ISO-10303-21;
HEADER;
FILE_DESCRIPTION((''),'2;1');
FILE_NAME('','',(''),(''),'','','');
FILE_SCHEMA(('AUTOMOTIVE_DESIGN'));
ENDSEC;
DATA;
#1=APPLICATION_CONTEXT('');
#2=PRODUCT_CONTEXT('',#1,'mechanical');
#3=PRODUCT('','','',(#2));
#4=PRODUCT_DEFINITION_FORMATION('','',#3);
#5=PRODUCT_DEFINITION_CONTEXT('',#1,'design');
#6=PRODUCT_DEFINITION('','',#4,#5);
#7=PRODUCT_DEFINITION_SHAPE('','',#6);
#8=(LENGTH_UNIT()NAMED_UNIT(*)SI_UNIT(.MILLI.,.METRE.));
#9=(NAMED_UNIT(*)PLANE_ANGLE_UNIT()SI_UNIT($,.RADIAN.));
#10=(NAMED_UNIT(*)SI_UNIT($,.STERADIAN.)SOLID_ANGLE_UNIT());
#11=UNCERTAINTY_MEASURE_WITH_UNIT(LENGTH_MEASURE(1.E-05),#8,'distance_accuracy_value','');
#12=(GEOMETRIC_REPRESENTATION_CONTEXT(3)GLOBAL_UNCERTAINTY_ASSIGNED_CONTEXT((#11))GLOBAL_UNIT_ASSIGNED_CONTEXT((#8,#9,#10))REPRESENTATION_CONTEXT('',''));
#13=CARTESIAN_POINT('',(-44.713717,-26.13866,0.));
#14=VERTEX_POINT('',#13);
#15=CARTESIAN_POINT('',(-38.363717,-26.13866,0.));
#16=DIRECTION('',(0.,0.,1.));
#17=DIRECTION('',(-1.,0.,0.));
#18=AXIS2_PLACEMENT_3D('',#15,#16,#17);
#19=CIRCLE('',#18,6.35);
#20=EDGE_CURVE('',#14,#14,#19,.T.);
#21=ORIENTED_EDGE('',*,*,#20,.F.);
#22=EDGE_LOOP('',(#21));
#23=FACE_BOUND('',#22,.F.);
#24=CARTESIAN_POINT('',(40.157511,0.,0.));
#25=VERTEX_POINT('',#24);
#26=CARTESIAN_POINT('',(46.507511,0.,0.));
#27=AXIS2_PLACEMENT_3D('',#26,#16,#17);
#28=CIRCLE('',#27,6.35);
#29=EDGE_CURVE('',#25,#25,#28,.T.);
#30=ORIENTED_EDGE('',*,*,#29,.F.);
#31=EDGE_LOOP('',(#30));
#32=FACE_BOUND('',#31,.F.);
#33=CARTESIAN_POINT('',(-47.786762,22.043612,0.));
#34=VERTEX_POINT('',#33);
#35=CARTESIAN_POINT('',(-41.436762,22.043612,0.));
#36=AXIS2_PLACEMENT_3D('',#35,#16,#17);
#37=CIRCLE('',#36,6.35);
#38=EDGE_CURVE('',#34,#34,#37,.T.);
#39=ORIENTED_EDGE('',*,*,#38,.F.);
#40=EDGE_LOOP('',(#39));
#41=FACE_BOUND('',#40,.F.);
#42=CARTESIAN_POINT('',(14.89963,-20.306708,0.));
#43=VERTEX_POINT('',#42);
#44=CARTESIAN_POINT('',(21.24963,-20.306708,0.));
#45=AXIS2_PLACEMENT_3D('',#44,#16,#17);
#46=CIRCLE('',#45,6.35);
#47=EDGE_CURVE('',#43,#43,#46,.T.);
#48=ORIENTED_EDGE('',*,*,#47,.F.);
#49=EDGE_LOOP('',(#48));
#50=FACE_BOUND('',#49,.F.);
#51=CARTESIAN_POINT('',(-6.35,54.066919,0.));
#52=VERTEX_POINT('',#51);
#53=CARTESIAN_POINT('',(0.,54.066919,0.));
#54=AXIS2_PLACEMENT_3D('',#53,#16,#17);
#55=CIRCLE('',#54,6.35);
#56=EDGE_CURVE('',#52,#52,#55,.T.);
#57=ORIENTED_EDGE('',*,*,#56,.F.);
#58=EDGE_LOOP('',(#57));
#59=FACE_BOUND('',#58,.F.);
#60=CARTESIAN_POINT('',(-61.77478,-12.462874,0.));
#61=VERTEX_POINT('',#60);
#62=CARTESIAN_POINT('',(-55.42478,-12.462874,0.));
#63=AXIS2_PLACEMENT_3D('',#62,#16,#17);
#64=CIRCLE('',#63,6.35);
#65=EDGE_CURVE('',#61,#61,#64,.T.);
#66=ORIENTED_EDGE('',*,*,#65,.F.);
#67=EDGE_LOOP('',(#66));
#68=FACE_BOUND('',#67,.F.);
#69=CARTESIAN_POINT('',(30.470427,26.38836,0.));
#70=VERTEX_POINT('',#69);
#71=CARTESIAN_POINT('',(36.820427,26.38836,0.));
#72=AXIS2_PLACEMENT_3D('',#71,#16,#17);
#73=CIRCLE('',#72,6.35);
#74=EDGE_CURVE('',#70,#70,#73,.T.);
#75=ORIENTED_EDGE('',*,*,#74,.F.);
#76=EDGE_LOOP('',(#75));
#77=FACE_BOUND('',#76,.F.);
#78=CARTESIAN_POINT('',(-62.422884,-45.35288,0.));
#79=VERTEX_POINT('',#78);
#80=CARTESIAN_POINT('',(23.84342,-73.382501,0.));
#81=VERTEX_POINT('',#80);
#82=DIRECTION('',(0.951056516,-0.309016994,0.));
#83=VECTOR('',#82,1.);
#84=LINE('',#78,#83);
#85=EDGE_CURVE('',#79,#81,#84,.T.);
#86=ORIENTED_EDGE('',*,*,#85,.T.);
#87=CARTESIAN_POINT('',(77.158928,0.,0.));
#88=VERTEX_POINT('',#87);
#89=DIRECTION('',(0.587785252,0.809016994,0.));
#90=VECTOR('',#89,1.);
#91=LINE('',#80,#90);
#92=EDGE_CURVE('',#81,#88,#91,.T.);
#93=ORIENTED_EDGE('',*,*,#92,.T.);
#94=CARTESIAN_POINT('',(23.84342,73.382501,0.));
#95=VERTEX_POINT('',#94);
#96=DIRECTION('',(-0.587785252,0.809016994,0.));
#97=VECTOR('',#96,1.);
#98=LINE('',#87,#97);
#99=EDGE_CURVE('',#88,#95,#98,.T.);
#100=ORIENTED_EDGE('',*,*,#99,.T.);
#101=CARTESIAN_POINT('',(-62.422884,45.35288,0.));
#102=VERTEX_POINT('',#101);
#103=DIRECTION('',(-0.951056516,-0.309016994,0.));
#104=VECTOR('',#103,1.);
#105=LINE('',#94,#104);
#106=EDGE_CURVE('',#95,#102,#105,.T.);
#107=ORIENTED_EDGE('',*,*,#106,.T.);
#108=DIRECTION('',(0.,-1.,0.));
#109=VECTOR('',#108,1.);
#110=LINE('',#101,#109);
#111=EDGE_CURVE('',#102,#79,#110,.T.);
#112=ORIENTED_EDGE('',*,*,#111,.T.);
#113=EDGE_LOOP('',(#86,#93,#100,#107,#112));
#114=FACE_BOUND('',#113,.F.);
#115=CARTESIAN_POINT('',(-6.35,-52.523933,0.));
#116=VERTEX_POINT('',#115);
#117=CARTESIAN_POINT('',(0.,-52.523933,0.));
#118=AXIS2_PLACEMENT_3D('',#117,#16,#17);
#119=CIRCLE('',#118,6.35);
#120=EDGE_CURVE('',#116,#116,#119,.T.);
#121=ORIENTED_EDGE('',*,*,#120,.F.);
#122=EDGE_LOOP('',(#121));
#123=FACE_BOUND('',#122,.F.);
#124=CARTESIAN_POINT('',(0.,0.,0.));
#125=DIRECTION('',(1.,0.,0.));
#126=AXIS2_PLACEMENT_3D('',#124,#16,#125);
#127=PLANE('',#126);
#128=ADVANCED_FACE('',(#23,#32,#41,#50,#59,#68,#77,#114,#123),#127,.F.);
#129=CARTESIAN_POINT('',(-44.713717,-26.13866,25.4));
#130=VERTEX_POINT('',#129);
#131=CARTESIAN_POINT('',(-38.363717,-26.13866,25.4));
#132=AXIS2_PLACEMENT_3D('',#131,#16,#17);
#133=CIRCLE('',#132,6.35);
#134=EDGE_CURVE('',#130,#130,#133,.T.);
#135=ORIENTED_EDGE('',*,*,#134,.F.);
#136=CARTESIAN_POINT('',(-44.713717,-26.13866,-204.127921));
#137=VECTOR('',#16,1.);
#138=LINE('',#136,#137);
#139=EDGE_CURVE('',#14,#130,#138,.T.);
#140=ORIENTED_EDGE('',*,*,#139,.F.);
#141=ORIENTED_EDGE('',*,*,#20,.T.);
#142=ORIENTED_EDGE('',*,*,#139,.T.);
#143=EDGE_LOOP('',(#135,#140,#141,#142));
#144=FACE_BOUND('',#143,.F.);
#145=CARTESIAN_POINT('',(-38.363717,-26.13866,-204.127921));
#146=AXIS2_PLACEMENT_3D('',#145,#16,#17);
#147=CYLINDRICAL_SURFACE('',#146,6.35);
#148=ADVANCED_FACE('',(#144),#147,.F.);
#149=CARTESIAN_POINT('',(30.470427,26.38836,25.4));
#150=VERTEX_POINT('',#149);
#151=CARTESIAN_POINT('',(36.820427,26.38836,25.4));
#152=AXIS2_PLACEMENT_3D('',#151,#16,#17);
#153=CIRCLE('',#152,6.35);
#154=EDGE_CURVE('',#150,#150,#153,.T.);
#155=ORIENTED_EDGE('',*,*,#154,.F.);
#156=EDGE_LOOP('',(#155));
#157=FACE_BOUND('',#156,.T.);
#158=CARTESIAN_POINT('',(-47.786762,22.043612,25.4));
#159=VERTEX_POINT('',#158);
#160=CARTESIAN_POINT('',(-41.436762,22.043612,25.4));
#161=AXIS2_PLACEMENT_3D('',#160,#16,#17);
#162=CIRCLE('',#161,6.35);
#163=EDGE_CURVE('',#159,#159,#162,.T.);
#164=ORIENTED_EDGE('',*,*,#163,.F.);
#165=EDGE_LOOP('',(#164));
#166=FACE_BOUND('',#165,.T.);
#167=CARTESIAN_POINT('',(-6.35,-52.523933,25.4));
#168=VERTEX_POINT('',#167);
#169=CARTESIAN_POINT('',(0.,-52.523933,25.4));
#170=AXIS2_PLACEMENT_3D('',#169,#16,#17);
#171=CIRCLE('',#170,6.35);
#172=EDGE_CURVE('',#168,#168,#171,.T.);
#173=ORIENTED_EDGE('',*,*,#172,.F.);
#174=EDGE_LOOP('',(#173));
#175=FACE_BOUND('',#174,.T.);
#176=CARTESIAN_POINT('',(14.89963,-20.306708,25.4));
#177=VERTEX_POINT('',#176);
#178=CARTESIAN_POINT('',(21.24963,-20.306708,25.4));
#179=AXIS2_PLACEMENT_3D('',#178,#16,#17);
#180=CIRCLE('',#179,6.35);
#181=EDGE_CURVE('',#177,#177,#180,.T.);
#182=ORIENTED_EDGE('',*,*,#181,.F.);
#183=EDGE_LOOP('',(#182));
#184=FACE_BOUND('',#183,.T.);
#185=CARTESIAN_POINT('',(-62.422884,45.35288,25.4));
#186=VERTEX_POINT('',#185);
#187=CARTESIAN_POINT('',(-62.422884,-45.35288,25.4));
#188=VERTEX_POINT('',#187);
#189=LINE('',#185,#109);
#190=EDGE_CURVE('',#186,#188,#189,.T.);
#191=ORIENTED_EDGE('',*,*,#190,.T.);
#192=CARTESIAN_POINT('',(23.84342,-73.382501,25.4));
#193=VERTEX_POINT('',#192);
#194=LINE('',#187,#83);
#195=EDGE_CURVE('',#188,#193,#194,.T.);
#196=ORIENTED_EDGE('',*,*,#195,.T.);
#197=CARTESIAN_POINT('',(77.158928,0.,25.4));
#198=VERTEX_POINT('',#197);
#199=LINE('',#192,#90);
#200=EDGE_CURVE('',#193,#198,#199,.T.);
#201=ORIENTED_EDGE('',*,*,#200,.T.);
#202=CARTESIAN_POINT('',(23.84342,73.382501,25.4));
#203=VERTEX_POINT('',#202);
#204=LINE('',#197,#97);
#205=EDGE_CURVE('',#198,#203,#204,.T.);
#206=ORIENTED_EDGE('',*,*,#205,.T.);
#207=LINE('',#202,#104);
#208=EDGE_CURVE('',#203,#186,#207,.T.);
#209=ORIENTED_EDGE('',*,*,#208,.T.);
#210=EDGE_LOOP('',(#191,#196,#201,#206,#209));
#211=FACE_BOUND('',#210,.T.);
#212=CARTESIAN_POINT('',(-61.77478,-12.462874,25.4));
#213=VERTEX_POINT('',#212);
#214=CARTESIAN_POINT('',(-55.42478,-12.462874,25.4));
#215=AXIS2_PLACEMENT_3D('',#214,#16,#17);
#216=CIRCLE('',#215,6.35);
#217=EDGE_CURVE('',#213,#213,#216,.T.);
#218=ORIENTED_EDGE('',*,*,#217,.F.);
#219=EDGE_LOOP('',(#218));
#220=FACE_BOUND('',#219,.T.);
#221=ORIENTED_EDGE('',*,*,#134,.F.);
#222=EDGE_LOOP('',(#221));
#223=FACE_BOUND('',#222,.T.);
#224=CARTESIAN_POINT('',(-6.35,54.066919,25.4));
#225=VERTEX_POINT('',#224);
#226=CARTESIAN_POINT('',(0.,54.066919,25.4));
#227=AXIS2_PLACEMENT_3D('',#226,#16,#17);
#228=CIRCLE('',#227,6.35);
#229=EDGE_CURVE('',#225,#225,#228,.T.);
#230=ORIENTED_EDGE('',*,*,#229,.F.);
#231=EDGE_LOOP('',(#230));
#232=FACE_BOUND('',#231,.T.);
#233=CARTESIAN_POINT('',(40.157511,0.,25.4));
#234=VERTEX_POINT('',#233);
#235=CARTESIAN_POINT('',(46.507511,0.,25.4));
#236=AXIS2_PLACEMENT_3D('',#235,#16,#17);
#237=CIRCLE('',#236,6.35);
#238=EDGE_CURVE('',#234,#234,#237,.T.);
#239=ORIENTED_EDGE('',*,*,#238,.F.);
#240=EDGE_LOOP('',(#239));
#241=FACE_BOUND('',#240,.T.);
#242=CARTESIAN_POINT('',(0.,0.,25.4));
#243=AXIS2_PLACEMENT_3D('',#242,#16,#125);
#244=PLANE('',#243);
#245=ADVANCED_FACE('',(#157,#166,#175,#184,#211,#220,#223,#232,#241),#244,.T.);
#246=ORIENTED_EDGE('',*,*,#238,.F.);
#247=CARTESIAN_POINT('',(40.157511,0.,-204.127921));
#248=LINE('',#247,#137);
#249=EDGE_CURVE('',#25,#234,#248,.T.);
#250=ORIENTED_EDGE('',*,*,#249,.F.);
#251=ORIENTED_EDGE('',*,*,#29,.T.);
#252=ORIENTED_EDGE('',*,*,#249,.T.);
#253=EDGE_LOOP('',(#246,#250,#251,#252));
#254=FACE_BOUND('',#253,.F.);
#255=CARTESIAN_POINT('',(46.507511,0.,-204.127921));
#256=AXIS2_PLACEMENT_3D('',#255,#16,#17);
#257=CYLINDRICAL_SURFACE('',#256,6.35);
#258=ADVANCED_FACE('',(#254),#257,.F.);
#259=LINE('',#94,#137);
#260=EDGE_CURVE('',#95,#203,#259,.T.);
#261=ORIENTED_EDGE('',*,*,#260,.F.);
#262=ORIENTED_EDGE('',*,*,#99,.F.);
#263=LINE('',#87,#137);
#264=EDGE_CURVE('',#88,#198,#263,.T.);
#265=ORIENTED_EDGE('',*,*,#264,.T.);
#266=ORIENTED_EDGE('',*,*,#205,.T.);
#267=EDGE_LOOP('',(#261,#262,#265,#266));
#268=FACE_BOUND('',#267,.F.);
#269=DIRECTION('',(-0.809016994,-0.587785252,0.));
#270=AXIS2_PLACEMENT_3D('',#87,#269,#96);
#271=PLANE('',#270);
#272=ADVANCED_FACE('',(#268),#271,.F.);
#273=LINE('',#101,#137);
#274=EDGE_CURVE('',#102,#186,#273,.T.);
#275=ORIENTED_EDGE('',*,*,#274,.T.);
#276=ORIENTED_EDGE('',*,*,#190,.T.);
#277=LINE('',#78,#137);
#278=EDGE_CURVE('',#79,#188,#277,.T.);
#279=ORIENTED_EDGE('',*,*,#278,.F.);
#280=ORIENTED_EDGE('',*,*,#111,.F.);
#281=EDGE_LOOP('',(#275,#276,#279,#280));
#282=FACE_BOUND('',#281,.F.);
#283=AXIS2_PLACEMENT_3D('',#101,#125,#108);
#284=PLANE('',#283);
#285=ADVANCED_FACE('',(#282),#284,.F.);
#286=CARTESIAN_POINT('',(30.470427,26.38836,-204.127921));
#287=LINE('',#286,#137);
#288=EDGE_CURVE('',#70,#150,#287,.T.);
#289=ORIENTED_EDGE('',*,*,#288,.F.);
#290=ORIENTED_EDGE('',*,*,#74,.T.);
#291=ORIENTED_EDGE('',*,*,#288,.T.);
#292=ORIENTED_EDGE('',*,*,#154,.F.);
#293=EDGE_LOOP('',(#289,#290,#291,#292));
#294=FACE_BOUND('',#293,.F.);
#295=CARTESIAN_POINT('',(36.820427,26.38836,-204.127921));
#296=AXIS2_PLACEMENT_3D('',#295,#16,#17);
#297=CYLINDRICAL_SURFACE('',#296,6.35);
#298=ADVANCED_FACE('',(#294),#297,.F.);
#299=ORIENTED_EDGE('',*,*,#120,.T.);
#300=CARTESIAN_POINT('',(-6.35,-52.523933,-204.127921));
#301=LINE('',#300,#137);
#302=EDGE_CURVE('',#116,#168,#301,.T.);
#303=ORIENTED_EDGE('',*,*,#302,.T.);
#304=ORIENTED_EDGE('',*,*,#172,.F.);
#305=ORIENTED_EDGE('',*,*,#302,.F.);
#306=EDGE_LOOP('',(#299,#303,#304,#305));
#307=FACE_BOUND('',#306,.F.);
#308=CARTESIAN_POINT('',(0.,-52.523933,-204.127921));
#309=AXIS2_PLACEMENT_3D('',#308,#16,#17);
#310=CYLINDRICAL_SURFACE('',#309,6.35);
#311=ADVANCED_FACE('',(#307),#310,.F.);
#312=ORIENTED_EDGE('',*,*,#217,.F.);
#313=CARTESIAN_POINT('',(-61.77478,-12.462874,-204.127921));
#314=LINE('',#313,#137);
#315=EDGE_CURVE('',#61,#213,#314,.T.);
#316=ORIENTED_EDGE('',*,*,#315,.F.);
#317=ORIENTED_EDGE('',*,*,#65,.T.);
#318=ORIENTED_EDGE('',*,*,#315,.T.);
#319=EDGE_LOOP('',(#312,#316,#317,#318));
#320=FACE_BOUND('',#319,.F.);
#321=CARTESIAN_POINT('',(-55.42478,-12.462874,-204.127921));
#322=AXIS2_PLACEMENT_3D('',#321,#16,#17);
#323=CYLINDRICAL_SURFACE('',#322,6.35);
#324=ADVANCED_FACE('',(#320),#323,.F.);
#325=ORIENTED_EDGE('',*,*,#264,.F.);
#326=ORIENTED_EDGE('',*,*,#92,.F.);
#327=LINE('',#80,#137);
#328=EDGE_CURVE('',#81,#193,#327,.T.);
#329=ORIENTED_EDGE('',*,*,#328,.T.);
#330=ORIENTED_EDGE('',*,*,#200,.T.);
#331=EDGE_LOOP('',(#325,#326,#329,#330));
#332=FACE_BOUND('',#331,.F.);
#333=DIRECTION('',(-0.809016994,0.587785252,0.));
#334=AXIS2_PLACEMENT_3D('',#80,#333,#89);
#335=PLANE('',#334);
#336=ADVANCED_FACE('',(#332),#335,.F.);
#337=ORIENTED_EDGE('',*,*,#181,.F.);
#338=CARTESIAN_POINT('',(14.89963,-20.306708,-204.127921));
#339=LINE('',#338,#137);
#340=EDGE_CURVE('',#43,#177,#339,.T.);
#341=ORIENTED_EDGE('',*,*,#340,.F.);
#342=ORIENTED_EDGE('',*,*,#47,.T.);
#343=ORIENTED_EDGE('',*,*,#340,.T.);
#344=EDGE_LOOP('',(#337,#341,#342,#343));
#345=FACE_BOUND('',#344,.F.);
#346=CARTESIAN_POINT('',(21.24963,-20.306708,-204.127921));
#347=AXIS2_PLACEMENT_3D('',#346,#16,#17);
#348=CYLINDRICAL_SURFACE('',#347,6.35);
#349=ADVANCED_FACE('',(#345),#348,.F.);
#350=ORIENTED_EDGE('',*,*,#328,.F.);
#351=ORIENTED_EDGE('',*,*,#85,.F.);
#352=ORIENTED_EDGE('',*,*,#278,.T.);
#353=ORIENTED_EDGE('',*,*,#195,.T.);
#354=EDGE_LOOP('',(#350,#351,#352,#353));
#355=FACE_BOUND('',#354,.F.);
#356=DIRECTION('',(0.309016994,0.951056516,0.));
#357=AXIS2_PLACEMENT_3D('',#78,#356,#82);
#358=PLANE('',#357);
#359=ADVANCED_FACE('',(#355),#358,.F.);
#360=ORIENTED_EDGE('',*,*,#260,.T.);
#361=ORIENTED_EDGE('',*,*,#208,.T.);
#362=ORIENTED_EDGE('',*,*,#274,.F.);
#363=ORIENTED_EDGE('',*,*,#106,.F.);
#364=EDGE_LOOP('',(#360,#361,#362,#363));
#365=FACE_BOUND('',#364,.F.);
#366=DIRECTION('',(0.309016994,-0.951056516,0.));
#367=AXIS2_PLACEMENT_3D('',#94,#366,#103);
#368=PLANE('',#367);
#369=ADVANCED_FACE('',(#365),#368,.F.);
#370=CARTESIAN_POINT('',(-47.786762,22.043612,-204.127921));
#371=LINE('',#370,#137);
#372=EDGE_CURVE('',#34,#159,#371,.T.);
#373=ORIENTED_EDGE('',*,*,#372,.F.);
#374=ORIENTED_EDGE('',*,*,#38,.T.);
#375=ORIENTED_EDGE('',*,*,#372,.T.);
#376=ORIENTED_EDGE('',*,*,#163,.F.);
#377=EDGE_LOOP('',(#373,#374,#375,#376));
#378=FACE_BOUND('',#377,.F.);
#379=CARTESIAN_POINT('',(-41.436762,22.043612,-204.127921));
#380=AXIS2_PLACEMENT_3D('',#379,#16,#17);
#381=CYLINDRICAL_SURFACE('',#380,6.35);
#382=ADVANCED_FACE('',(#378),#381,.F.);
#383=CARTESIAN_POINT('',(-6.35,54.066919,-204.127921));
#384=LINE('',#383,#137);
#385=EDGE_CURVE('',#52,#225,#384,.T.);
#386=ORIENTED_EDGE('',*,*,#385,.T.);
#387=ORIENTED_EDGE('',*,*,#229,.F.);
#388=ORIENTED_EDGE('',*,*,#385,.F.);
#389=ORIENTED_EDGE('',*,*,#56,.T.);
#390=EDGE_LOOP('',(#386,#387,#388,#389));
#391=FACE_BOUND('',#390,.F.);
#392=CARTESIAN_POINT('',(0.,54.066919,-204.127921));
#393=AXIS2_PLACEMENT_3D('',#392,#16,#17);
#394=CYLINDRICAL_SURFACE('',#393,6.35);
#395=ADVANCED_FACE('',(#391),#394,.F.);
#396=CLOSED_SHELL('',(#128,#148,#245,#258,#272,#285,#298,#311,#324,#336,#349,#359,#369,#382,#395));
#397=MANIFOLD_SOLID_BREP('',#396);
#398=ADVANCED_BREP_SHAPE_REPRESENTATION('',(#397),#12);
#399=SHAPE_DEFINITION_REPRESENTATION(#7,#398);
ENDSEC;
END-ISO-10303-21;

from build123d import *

# Parameters (mm, degrees)
F1_DEPTH = 25.4
F3_D     = 12.7


with BuildPart() as f1:
    # F0 (on Top) → F1 (new body)
    with BuildSketch(Plane.XY):
        Polygon((23.8434199943, -73.3825011863), (77.1589279175, 0), (23.8434199943, 73.3825011863), (-62.422883953, 45.3528799126), (-62.422883953, -45.3528799126), align=None)
    extrude(amount=F1_DEPTH)

    # F3 (through all)
    with Locations(Plane(origin=(0, 0, 0), x_dir=(1, 0, 0), z_dir=(0, 0, -1))):
        with Locations((-38.3637174964, 26.1386595666), (0, 52.523933351), (21.2496295571, 20.3067082912), (46.5075112879, 0), (36.8204265833, -26.3883601874), (-55.4247796535, 12.4628739432), (-41.4367616177, -22.0436118543), (0, -54.0669187903)):
            Hole(F3_D / 2)


solid = f1.part
